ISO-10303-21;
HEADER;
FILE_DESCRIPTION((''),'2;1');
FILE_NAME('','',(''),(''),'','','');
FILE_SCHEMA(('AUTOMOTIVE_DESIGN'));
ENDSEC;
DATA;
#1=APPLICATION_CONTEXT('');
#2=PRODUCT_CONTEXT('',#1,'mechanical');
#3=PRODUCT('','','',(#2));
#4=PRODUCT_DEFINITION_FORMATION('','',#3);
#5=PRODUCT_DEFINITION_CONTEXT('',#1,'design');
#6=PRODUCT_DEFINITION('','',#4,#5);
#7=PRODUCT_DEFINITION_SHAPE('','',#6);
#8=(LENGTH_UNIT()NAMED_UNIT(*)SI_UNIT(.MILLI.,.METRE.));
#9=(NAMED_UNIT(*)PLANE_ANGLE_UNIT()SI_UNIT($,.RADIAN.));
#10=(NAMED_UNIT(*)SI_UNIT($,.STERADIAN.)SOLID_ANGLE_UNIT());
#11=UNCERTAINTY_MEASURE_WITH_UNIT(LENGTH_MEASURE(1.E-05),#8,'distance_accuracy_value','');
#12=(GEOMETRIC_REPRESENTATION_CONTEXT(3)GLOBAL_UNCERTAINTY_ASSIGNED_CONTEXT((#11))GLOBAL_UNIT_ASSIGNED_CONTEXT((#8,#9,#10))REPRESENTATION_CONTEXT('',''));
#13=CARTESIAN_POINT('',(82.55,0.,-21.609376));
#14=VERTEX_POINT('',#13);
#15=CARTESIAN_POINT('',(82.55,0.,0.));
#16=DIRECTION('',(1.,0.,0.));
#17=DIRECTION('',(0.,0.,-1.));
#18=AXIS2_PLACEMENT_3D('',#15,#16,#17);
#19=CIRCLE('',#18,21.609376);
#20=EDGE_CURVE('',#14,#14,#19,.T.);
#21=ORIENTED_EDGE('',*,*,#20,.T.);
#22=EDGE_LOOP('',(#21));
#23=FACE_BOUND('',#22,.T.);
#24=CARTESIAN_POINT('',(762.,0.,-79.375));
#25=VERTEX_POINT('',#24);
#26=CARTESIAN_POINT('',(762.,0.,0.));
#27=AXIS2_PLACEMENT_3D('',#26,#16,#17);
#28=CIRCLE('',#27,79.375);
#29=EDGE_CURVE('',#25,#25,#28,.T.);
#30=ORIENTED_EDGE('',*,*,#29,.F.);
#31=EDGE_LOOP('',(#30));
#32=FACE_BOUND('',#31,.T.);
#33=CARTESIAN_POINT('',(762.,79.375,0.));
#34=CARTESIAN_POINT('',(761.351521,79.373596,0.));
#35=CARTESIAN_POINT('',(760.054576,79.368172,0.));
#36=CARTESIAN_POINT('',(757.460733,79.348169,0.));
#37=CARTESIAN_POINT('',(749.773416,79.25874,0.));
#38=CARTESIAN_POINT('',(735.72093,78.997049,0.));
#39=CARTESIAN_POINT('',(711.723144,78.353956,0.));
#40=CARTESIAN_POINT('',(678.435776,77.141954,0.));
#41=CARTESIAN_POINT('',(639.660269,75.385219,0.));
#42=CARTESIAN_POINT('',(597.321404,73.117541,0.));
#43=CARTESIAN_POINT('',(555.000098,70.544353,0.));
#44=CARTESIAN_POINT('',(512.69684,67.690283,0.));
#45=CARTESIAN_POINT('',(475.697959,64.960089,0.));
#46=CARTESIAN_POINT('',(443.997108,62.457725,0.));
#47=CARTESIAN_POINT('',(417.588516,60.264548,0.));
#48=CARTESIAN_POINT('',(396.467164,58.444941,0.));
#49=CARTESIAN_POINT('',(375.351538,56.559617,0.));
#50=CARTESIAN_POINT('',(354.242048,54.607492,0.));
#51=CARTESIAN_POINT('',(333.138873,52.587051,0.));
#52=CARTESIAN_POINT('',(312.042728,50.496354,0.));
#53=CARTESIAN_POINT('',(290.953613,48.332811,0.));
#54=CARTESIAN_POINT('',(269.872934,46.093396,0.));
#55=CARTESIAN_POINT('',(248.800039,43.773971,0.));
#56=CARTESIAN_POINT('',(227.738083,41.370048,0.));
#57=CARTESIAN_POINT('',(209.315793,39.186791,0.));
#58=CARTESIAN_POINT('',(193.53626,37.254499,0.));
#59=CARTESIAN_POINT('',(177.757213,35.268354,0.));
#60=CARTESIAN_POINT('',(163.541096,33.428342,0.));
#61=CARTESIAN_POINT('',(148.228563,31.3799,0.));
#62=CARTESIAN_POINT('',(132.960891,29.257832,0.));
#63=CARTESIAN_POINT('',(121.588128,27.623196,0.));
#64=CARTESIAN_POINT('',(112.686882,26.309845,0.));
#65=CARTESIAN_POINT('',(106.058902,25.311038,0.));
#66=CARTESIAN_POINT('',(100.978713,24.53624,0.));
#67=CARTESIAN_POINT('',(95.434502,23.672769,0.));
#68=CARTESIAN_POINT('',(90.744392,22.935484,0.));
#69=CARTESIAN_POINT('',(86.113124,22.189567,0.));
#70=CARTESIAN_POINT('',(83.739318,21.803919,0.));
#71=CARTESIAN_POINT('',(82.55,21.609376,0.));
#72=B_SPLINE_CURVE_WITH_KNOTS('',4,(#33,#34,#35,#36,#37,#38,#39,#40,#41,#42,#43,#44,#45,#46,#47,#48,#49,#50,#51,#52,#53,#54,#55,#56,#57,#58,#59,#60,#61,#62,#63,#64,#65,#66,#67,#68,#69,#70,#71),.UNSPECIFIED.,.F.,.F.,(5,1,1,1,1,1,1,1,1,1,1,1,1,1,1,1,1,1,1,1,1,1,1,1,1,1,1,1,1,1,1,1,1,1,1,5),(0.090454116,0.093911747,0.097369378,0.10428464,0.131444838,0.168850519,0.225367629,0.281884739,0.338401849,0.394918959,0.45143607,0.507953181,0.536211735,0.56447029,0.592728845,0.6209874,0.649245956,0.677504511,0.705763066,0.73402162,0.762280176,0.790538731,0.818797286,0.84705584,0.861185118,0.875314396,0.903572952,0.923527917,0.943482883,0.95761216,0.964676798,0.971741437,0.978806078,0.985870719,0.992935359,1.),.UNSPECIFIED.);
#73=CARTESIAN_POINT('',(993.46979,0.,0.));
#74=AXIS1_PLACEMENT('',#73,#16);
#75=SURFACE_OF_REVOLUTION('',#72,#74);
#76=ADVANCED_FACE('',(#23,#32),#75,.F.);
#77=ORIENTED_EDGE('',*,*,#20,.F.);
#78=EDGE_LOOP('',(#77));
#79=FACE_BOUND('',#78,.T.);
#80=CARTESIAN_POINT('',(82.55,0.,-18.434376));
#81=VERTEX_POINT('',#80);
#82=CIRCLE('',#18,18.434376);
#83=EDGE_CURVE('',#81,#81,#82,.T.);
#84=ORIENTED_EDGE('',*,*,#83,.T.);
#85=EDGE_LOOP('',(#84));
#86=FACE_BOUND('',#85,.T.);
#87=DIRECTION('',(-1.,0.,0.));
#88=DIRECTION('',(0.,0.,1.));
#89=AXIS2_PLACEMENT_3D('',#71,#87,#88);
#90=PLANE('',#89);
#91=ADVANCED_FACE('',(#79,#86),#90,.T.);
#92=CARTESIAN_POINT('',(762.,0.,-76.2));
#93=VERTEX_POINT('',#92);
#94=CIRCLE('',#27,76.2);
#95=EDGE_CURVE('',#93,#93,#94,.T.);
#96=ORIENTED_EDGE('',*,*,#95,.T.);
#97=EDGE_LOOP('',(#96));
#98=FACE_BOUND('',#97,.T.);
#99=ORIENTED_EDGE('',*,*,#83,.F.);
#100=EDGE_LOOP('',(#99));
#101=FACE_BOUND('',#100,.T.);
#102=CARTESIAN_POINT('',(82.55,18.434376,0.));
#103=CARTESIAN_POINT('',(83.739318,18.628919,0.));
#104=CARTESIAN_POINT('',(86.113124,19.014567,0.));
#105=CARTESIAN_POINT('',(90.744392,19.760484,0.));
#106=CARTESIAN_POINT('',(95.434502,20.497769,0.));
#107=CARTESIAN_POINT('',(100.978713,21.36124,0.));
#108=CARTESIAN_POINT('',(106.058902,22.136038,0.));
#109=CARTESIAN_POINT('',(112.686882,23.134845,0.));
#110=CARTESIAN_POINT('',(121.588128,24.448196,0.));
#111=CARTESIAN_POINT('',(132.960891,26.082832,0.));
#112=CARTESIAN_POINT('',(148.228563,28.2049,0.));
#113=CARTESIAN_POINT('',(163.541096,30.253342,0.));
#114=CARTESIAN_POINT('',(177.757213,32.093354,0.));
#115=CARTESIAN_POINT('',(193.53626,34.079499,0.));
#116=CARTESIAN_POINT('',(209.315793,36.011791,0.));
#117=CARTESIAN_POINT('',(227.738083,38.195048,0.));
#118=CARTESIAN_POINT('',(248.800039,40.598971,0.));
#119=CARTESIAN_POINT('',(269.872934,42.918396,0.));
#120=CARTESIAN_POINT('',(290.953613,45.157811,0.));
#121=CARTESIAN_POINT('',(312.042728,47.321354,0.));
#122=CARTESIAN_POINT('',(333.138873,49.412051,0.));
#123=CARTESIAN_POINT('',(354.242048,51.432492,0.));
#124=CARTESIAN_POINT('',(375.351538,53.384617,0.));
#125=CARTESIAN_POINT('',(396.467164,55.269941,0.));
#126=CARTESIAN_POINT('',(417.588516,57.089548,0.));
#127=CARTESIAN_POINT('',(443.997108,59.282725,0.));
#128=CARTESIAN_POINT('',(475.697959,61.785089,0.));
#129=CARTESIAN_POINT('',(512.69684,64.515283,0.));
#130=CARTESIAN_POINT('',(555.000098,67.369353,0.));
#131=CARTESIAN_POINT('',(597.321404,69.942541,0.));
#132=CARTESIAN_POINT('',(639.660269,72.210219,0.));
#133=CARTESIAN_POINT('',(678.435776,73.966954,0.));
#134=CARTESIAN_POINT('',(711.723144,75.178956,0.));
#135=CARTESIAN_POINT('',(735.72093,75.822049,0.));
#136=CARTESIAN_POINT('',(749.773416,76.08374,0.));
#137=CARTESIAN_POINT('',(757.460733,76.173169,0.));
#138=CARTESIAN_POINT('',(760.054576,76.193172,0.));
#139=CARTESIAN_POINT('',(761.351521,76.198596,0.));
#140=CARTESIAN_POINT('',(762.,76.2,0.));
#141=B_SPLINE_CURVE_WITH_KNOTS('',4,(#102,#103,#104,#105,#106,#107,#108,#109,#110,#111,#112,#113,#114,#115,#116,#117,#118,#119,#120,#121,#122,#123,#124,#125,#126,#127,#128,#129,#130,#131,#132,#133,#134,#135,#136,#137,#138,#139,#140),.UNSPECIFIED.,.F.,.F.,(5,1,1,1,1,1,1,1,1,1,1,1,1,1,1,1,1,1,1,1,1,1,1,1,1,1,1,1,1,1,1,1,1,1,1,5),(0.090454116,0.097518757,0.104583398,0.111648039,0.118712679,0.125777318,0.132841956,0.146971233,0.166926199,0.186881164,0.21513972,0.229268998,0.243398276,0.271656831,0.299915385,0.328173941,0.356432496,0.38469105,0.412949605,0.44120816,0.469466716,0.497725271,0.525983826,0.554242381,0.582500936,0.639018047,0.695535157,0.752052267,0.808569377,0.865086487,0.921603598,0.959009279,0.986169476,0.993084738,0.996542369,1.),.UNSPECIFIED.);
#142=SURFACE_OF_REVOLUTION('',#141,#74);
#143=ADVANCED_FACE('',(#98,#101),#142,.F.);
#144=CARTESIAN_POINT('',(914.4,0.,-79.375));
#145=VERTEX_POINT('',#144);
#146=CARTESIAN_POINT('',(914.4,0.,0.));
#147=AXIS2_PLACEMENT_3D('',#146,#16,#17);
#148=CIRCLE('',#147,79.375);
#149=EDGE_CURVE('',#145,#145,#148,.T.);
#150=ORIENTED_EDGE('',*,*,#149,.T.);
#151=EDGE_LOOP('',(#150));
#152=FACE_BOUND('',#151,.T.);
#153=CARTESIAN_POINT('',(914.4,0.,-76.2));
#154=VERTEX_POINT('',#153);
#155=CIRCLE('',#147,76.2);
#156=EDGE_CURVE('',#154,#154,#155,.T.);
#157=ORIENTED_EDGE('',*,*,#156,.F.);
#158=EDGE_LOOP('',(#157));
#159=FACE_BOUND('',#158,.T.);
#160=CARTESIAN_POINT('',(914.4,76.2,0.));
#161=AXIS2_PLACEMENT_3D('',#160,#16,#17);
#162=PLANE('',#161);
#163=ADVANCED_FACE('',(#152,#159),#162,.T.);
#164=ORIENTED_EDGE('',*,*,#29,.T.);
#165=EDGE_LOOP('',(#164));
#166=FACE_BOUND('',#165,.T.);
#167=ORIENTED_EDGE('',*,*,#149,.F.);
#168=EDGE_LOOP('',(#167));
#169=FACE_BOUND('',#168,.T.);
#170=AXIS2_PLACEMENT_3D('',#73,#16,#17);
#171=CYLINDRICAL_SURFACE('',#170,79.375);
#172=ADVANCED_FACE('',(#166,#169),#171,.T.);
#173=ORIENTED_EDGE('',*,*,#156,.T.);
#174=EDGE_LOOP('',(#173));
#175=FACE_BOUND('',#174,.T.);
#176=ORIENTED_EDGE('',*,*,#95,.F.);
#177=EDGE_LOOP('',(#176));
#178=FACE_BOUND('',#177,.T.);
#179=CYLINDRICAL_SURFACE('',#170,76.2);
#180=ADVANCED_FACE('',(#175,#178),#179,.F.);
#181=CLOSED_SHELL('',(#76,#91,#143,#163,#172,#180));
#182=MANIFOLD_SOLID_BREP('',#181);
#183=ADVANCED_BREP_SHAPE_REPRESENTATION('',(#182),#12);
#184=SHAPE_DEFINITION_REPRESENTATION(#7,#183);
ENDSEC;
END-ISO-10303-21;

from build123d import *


with BuildPart() as part:
    # Sketch1 → Revolve1 (revolve)
    with BuildSketch(Plane.XY):
        with BuildLine():
            Line((762, 76.2), (914.4, 76.2))
            Line((914.4, 76.2), (914.4, 79.375))
            Line((914.4, 79.375), (762, 79.375))
            add(Edge.make_bspline(
                [(82.55, 21.60937563), (83.739317711, 21.803919016), (86.113124105, 22.189566566), (90.744392077, 22.93548366), (95.434501949, 23.672768813), (100.97871313, 24.53624011), (106.058901752, 25.311037661), (112.686881735, 26.309845163), (121.588127675, 27.623195976), (132.960891433, 29.257832455), (148.228562585, 31.379900401), (163.541095634, 33.42834242), (177.757213332, 35.268354344), (193.536259626, 37.254499166), (209.315792622, 39.186791314), (227.738082588, 41.370047954), (248.800039239, 43.773971398), (269.872934088, 46.093395626), (290.953613446, 48.332810696), (312.042727731, 50.49635438), (333.138872623, 52.587050652), (354.242048189, 54.607492331), (375.351537945, 56.559617254), (396.467163528, 58.444941036), (417.588515842, 60.264547843), (443.997107777, 62.457725293), (475.697958942, 64.960089086), (512.69683997, 67.690282987), (555.000098175, 70.544353132), (597.321403855, 73.117541014), (639.66026872, 75.385219331), (678.435776142, 77.141954164), (711.723143924, 78.353956499), (735.720930019, 78.997048552), (749.773416047, 79.258740095), (757.460733051, 79.348169215), (760.054576071, 79.368172133), (761.351521386, 79.373595664), (762, 79.375)],
                knots=[0.090454116, 0.090454116, 0.090454116, 0.090454116, 0.090454116, 0.097518757, 0.104583398, 0.111648039, 0.118712679, 0.125777318, 0.132841956, 0.146971233, 0.166926199, 0.186881164, 0.21513972, 0.229268998, 0.243398276, 0.271656831, 0.299915385, 0.328173941, 0.356432496, 0.38469105, 0.412949605, 0.44120816, 0.469466716, 0.497725271, 0.525983826, 0.554242381, 0.582500936, 0.639018047, 0.695535157, 0.752052267, 0.808569377, 0.865086487, 0.921603598, 0.959009279, 0.986169476, 0.993084738, 0.996542369, 1, 1, 1, 1, 1], degree=4))
            Line((82.55, 21.60937563), (82.55, 18.43437563))
            add(Edge.make_bspline(
                [(82.55, 18.43437563), (83.739317711, 18.628919016), (86.113124105, 19.014566566), (90.744392077, 19.76048366), (95.434501949, 20.497768813), (100.97871313, 21.36124011), (106.058901752, 22.136037661), (112.686881735, 23.134845163), (121.588127675, 24.448195976), (132.960891433, 26.082832455), (148.228562585, 28.204900402), (163.541095634, 30.25334242), (177.757213332, 32.093354344), (193.536259626, 34.079499167), (209.315792622, 36.011791314), (227.738082588, 38.195047954), (248.800039239, 40.598971398), (269.872934088, 42.918395627), (290.953613446, 45.157810696), (312.042727731, 47.32135438), (333.138872623, 49.412050652), (354.242048189, 51.432492331), (375.351537945, 53.384617254), (396.467163528, 55.269941036), (417.588515842, 57.089547843), (443.997107777, 59.282725293), (475.697958942, 61.785089086), (512.69683997, 64.515282987), (555.000098175, 67.369353132), (597.321403855, 69.942541014), (639.66026872, 72.210219331), (678.435776142, 73.966954164), (711.723143924, 75.178956499), (735.720930019, 75.822048552), (749.773416047, 76.083740095), (757.460733051, 76.173169215), (760.054576071, 76.193172133), (761.351521386, 76.198595664), (762, 76.2)],
                knots=[0.090454116, 0.090454116, 0.090454116, 0.090454116, 0.090454116, 0.097518757, 0.104583398, 0.111648039, 0.118712679, 0.125777318, 0.132841956, 0.146971233, 0.166926199, 0.186881164, 0.21513972, 0.229268998, 0.243398276, 0.271656831, 0.299915385, 0.328173941, 0.356432496, 0.38469105, 0.412949605, 0.44120816, 0.469466716, 0.497725271, 0.525983826, 0.554242381, 0.582500936, 0.639018047, 0.695535157, 0.752052267, 0.808569377, 0.865086487, 0.921603598, 0.959009279, 0.986169476, 0.993084738, 0.996542369, 1, 1, 1, 1, 1], degree=4))
        make_face()
    revolve(axis=Axis((993.46979012, 0, 0), (-1, 0, 0)))


solid = part.part
